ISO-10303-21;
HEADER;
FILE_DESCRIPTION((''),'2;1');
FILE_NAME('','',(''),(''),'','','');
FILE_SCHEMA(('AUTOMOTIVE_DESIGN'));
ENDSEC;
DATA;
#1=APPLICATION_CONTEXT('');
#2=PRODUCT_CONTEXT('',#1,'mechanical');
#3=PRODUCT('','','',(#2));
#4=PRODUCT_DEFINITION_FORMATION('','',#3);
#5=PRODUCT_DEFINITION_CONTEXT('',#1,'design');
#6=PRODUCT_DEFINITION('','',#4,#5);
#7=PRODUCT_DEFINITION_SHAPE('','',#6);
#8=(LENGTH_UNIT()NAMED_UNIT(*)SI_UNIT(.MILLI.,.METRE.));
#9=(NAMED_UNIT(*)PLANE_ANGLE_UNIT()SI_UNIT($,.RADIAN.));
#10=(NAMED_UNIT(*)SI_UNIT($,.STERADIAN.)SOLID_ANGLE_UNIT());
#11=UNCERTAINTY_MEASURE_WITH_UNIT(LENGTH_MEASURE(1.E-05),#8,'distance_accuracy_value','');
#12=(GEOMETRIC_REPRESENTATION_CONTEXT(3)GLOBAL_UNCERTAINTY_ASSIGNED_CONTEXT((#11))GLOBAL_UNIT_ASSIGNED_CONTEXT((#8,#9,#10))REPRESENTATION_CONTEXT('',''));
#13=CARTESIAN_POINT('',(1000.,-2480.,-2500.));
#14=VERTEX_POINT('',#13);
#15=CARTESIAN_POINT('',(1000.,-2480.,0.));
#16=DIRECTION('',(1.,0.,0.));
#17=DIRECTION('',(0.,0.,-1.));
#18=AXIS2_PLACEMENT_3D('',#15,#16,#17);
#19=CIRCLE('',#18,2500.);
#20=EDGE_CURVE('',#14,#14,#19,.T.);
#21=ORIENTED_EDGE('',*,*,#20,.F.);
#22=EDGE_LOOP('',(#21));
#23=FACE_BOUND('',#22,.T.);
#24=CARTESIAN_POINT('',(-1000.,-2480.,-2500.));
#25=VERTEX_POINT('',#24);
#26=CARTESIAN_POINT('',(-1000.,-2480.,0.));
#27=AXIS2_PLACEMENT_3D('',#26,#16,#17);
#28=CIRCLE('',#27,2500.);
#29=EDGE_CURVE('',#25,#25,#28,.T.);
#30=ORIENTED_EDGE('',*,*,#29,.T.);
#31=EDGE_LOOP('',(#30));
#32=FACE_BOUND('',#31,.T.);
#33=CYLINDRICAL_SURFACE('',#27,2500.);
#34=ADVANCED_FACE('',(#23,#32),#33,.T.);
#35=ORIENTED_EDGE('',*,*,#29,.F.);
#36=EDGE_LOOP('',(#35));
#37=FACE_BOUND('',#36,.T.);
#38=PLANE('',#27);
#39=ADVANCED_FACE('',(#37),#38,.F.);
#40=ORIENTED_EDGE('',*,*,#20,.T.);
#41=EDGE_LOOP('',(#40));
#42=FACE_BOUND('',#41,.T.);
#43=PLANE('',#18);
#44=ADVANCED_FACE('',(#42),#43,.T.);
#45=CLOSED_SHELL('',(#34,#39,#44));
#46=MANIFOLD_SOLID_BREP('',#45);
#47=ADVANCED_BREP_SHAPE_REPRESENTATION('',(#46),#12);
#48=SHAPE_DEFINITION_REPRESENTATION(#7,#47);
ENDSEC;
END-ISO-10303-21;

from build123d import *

# Parameters (mm, degrees)
BOSS_EXTRUDE1_DEPTH      = 1000
BOSS_EXTRUDE1_DEPTH_BACK = 1000
SKETCH1_R                = 2500


with BuildPart() as part:
    # Sketch1 → Boss-Extrude1 (new, two sides: drawn at the far end of the back side and taken through both)
    with BuildSketch(Plane(origin=(0, 0, 0), x_dir=(0, 0, -1), z_dir=(1, 0, 0)).offset(-BOSS_EXTRUDE1_DEPTH_BACK)):
        with Locations((0, -2480)):
            Circle(SKETCH1_R)
    extrude(amount=BOSS_EXTRUDE1_DEPTH + BOSS_EXTRUDE1_DEPTH_BACK)


solid = part.part
